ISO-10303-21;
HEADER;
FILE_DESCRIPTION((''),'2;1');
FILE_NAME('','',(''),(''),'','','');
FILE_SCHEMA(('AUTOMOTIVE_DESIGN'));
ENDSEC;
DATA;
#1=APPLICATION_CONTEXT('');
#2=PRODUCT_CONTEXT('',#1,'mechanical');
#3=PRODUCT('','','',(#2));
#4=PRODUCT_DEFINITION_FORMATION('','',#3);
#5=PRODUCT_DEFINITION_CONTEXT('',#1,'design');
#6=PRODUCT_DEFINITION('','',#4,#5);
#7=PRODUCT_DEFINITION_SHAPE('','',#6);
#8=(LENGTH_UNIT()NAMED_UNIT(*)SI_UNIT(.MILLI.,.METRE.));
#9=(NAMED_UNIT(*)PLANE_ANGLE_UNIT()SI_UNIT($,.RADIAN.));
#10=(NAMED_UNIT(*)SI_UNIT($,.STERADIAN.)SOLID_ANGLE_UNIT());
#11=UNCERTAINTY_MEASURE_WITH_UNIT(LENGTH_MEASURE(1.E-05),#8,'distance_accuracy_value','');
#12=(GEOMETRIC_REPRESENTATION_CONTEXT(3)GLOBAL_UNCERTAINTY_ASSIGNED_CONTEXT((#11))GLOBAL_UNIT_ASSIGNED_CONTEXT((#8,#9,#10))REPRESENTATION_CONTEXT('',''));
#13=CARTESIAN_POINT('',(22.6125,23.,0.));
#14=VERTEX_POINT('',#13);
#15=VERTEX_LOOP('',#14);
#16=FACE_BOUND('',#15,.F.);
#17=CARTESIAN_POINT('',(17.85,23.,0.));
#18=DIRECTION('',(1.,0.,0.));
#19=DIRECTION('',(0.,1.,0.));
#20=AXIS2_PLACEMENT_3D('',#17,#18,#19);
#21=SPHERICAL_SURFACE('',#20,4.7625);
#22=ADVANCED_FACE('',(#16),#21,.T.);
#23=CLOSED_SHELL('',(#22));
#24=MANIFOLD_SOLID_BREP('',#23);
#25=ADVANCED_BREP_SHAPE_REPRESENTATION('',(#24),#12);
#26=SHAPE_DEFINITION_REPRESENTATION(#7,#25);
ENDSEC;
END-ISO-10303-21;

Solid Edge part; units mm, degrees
sketch "Sketch1" plane through (0, 0, 0) normal (0, 0, 1) x (1, 0, 0)
  arc A0 (13.0875, 23) -> (22.6125, 23) centre (17.85, 23) cw
  line L0 (22.6125, 23) -> (13.0875, 23)
revolve "RevolvedProtrusion1" add sketch "Sketch1" angle 360 about axis through (22.6125, 23, 0) along (-1, 0, 0)
properties part number "3206 A-2RS1_PART4" material "Aluminio, 7075-T6"
